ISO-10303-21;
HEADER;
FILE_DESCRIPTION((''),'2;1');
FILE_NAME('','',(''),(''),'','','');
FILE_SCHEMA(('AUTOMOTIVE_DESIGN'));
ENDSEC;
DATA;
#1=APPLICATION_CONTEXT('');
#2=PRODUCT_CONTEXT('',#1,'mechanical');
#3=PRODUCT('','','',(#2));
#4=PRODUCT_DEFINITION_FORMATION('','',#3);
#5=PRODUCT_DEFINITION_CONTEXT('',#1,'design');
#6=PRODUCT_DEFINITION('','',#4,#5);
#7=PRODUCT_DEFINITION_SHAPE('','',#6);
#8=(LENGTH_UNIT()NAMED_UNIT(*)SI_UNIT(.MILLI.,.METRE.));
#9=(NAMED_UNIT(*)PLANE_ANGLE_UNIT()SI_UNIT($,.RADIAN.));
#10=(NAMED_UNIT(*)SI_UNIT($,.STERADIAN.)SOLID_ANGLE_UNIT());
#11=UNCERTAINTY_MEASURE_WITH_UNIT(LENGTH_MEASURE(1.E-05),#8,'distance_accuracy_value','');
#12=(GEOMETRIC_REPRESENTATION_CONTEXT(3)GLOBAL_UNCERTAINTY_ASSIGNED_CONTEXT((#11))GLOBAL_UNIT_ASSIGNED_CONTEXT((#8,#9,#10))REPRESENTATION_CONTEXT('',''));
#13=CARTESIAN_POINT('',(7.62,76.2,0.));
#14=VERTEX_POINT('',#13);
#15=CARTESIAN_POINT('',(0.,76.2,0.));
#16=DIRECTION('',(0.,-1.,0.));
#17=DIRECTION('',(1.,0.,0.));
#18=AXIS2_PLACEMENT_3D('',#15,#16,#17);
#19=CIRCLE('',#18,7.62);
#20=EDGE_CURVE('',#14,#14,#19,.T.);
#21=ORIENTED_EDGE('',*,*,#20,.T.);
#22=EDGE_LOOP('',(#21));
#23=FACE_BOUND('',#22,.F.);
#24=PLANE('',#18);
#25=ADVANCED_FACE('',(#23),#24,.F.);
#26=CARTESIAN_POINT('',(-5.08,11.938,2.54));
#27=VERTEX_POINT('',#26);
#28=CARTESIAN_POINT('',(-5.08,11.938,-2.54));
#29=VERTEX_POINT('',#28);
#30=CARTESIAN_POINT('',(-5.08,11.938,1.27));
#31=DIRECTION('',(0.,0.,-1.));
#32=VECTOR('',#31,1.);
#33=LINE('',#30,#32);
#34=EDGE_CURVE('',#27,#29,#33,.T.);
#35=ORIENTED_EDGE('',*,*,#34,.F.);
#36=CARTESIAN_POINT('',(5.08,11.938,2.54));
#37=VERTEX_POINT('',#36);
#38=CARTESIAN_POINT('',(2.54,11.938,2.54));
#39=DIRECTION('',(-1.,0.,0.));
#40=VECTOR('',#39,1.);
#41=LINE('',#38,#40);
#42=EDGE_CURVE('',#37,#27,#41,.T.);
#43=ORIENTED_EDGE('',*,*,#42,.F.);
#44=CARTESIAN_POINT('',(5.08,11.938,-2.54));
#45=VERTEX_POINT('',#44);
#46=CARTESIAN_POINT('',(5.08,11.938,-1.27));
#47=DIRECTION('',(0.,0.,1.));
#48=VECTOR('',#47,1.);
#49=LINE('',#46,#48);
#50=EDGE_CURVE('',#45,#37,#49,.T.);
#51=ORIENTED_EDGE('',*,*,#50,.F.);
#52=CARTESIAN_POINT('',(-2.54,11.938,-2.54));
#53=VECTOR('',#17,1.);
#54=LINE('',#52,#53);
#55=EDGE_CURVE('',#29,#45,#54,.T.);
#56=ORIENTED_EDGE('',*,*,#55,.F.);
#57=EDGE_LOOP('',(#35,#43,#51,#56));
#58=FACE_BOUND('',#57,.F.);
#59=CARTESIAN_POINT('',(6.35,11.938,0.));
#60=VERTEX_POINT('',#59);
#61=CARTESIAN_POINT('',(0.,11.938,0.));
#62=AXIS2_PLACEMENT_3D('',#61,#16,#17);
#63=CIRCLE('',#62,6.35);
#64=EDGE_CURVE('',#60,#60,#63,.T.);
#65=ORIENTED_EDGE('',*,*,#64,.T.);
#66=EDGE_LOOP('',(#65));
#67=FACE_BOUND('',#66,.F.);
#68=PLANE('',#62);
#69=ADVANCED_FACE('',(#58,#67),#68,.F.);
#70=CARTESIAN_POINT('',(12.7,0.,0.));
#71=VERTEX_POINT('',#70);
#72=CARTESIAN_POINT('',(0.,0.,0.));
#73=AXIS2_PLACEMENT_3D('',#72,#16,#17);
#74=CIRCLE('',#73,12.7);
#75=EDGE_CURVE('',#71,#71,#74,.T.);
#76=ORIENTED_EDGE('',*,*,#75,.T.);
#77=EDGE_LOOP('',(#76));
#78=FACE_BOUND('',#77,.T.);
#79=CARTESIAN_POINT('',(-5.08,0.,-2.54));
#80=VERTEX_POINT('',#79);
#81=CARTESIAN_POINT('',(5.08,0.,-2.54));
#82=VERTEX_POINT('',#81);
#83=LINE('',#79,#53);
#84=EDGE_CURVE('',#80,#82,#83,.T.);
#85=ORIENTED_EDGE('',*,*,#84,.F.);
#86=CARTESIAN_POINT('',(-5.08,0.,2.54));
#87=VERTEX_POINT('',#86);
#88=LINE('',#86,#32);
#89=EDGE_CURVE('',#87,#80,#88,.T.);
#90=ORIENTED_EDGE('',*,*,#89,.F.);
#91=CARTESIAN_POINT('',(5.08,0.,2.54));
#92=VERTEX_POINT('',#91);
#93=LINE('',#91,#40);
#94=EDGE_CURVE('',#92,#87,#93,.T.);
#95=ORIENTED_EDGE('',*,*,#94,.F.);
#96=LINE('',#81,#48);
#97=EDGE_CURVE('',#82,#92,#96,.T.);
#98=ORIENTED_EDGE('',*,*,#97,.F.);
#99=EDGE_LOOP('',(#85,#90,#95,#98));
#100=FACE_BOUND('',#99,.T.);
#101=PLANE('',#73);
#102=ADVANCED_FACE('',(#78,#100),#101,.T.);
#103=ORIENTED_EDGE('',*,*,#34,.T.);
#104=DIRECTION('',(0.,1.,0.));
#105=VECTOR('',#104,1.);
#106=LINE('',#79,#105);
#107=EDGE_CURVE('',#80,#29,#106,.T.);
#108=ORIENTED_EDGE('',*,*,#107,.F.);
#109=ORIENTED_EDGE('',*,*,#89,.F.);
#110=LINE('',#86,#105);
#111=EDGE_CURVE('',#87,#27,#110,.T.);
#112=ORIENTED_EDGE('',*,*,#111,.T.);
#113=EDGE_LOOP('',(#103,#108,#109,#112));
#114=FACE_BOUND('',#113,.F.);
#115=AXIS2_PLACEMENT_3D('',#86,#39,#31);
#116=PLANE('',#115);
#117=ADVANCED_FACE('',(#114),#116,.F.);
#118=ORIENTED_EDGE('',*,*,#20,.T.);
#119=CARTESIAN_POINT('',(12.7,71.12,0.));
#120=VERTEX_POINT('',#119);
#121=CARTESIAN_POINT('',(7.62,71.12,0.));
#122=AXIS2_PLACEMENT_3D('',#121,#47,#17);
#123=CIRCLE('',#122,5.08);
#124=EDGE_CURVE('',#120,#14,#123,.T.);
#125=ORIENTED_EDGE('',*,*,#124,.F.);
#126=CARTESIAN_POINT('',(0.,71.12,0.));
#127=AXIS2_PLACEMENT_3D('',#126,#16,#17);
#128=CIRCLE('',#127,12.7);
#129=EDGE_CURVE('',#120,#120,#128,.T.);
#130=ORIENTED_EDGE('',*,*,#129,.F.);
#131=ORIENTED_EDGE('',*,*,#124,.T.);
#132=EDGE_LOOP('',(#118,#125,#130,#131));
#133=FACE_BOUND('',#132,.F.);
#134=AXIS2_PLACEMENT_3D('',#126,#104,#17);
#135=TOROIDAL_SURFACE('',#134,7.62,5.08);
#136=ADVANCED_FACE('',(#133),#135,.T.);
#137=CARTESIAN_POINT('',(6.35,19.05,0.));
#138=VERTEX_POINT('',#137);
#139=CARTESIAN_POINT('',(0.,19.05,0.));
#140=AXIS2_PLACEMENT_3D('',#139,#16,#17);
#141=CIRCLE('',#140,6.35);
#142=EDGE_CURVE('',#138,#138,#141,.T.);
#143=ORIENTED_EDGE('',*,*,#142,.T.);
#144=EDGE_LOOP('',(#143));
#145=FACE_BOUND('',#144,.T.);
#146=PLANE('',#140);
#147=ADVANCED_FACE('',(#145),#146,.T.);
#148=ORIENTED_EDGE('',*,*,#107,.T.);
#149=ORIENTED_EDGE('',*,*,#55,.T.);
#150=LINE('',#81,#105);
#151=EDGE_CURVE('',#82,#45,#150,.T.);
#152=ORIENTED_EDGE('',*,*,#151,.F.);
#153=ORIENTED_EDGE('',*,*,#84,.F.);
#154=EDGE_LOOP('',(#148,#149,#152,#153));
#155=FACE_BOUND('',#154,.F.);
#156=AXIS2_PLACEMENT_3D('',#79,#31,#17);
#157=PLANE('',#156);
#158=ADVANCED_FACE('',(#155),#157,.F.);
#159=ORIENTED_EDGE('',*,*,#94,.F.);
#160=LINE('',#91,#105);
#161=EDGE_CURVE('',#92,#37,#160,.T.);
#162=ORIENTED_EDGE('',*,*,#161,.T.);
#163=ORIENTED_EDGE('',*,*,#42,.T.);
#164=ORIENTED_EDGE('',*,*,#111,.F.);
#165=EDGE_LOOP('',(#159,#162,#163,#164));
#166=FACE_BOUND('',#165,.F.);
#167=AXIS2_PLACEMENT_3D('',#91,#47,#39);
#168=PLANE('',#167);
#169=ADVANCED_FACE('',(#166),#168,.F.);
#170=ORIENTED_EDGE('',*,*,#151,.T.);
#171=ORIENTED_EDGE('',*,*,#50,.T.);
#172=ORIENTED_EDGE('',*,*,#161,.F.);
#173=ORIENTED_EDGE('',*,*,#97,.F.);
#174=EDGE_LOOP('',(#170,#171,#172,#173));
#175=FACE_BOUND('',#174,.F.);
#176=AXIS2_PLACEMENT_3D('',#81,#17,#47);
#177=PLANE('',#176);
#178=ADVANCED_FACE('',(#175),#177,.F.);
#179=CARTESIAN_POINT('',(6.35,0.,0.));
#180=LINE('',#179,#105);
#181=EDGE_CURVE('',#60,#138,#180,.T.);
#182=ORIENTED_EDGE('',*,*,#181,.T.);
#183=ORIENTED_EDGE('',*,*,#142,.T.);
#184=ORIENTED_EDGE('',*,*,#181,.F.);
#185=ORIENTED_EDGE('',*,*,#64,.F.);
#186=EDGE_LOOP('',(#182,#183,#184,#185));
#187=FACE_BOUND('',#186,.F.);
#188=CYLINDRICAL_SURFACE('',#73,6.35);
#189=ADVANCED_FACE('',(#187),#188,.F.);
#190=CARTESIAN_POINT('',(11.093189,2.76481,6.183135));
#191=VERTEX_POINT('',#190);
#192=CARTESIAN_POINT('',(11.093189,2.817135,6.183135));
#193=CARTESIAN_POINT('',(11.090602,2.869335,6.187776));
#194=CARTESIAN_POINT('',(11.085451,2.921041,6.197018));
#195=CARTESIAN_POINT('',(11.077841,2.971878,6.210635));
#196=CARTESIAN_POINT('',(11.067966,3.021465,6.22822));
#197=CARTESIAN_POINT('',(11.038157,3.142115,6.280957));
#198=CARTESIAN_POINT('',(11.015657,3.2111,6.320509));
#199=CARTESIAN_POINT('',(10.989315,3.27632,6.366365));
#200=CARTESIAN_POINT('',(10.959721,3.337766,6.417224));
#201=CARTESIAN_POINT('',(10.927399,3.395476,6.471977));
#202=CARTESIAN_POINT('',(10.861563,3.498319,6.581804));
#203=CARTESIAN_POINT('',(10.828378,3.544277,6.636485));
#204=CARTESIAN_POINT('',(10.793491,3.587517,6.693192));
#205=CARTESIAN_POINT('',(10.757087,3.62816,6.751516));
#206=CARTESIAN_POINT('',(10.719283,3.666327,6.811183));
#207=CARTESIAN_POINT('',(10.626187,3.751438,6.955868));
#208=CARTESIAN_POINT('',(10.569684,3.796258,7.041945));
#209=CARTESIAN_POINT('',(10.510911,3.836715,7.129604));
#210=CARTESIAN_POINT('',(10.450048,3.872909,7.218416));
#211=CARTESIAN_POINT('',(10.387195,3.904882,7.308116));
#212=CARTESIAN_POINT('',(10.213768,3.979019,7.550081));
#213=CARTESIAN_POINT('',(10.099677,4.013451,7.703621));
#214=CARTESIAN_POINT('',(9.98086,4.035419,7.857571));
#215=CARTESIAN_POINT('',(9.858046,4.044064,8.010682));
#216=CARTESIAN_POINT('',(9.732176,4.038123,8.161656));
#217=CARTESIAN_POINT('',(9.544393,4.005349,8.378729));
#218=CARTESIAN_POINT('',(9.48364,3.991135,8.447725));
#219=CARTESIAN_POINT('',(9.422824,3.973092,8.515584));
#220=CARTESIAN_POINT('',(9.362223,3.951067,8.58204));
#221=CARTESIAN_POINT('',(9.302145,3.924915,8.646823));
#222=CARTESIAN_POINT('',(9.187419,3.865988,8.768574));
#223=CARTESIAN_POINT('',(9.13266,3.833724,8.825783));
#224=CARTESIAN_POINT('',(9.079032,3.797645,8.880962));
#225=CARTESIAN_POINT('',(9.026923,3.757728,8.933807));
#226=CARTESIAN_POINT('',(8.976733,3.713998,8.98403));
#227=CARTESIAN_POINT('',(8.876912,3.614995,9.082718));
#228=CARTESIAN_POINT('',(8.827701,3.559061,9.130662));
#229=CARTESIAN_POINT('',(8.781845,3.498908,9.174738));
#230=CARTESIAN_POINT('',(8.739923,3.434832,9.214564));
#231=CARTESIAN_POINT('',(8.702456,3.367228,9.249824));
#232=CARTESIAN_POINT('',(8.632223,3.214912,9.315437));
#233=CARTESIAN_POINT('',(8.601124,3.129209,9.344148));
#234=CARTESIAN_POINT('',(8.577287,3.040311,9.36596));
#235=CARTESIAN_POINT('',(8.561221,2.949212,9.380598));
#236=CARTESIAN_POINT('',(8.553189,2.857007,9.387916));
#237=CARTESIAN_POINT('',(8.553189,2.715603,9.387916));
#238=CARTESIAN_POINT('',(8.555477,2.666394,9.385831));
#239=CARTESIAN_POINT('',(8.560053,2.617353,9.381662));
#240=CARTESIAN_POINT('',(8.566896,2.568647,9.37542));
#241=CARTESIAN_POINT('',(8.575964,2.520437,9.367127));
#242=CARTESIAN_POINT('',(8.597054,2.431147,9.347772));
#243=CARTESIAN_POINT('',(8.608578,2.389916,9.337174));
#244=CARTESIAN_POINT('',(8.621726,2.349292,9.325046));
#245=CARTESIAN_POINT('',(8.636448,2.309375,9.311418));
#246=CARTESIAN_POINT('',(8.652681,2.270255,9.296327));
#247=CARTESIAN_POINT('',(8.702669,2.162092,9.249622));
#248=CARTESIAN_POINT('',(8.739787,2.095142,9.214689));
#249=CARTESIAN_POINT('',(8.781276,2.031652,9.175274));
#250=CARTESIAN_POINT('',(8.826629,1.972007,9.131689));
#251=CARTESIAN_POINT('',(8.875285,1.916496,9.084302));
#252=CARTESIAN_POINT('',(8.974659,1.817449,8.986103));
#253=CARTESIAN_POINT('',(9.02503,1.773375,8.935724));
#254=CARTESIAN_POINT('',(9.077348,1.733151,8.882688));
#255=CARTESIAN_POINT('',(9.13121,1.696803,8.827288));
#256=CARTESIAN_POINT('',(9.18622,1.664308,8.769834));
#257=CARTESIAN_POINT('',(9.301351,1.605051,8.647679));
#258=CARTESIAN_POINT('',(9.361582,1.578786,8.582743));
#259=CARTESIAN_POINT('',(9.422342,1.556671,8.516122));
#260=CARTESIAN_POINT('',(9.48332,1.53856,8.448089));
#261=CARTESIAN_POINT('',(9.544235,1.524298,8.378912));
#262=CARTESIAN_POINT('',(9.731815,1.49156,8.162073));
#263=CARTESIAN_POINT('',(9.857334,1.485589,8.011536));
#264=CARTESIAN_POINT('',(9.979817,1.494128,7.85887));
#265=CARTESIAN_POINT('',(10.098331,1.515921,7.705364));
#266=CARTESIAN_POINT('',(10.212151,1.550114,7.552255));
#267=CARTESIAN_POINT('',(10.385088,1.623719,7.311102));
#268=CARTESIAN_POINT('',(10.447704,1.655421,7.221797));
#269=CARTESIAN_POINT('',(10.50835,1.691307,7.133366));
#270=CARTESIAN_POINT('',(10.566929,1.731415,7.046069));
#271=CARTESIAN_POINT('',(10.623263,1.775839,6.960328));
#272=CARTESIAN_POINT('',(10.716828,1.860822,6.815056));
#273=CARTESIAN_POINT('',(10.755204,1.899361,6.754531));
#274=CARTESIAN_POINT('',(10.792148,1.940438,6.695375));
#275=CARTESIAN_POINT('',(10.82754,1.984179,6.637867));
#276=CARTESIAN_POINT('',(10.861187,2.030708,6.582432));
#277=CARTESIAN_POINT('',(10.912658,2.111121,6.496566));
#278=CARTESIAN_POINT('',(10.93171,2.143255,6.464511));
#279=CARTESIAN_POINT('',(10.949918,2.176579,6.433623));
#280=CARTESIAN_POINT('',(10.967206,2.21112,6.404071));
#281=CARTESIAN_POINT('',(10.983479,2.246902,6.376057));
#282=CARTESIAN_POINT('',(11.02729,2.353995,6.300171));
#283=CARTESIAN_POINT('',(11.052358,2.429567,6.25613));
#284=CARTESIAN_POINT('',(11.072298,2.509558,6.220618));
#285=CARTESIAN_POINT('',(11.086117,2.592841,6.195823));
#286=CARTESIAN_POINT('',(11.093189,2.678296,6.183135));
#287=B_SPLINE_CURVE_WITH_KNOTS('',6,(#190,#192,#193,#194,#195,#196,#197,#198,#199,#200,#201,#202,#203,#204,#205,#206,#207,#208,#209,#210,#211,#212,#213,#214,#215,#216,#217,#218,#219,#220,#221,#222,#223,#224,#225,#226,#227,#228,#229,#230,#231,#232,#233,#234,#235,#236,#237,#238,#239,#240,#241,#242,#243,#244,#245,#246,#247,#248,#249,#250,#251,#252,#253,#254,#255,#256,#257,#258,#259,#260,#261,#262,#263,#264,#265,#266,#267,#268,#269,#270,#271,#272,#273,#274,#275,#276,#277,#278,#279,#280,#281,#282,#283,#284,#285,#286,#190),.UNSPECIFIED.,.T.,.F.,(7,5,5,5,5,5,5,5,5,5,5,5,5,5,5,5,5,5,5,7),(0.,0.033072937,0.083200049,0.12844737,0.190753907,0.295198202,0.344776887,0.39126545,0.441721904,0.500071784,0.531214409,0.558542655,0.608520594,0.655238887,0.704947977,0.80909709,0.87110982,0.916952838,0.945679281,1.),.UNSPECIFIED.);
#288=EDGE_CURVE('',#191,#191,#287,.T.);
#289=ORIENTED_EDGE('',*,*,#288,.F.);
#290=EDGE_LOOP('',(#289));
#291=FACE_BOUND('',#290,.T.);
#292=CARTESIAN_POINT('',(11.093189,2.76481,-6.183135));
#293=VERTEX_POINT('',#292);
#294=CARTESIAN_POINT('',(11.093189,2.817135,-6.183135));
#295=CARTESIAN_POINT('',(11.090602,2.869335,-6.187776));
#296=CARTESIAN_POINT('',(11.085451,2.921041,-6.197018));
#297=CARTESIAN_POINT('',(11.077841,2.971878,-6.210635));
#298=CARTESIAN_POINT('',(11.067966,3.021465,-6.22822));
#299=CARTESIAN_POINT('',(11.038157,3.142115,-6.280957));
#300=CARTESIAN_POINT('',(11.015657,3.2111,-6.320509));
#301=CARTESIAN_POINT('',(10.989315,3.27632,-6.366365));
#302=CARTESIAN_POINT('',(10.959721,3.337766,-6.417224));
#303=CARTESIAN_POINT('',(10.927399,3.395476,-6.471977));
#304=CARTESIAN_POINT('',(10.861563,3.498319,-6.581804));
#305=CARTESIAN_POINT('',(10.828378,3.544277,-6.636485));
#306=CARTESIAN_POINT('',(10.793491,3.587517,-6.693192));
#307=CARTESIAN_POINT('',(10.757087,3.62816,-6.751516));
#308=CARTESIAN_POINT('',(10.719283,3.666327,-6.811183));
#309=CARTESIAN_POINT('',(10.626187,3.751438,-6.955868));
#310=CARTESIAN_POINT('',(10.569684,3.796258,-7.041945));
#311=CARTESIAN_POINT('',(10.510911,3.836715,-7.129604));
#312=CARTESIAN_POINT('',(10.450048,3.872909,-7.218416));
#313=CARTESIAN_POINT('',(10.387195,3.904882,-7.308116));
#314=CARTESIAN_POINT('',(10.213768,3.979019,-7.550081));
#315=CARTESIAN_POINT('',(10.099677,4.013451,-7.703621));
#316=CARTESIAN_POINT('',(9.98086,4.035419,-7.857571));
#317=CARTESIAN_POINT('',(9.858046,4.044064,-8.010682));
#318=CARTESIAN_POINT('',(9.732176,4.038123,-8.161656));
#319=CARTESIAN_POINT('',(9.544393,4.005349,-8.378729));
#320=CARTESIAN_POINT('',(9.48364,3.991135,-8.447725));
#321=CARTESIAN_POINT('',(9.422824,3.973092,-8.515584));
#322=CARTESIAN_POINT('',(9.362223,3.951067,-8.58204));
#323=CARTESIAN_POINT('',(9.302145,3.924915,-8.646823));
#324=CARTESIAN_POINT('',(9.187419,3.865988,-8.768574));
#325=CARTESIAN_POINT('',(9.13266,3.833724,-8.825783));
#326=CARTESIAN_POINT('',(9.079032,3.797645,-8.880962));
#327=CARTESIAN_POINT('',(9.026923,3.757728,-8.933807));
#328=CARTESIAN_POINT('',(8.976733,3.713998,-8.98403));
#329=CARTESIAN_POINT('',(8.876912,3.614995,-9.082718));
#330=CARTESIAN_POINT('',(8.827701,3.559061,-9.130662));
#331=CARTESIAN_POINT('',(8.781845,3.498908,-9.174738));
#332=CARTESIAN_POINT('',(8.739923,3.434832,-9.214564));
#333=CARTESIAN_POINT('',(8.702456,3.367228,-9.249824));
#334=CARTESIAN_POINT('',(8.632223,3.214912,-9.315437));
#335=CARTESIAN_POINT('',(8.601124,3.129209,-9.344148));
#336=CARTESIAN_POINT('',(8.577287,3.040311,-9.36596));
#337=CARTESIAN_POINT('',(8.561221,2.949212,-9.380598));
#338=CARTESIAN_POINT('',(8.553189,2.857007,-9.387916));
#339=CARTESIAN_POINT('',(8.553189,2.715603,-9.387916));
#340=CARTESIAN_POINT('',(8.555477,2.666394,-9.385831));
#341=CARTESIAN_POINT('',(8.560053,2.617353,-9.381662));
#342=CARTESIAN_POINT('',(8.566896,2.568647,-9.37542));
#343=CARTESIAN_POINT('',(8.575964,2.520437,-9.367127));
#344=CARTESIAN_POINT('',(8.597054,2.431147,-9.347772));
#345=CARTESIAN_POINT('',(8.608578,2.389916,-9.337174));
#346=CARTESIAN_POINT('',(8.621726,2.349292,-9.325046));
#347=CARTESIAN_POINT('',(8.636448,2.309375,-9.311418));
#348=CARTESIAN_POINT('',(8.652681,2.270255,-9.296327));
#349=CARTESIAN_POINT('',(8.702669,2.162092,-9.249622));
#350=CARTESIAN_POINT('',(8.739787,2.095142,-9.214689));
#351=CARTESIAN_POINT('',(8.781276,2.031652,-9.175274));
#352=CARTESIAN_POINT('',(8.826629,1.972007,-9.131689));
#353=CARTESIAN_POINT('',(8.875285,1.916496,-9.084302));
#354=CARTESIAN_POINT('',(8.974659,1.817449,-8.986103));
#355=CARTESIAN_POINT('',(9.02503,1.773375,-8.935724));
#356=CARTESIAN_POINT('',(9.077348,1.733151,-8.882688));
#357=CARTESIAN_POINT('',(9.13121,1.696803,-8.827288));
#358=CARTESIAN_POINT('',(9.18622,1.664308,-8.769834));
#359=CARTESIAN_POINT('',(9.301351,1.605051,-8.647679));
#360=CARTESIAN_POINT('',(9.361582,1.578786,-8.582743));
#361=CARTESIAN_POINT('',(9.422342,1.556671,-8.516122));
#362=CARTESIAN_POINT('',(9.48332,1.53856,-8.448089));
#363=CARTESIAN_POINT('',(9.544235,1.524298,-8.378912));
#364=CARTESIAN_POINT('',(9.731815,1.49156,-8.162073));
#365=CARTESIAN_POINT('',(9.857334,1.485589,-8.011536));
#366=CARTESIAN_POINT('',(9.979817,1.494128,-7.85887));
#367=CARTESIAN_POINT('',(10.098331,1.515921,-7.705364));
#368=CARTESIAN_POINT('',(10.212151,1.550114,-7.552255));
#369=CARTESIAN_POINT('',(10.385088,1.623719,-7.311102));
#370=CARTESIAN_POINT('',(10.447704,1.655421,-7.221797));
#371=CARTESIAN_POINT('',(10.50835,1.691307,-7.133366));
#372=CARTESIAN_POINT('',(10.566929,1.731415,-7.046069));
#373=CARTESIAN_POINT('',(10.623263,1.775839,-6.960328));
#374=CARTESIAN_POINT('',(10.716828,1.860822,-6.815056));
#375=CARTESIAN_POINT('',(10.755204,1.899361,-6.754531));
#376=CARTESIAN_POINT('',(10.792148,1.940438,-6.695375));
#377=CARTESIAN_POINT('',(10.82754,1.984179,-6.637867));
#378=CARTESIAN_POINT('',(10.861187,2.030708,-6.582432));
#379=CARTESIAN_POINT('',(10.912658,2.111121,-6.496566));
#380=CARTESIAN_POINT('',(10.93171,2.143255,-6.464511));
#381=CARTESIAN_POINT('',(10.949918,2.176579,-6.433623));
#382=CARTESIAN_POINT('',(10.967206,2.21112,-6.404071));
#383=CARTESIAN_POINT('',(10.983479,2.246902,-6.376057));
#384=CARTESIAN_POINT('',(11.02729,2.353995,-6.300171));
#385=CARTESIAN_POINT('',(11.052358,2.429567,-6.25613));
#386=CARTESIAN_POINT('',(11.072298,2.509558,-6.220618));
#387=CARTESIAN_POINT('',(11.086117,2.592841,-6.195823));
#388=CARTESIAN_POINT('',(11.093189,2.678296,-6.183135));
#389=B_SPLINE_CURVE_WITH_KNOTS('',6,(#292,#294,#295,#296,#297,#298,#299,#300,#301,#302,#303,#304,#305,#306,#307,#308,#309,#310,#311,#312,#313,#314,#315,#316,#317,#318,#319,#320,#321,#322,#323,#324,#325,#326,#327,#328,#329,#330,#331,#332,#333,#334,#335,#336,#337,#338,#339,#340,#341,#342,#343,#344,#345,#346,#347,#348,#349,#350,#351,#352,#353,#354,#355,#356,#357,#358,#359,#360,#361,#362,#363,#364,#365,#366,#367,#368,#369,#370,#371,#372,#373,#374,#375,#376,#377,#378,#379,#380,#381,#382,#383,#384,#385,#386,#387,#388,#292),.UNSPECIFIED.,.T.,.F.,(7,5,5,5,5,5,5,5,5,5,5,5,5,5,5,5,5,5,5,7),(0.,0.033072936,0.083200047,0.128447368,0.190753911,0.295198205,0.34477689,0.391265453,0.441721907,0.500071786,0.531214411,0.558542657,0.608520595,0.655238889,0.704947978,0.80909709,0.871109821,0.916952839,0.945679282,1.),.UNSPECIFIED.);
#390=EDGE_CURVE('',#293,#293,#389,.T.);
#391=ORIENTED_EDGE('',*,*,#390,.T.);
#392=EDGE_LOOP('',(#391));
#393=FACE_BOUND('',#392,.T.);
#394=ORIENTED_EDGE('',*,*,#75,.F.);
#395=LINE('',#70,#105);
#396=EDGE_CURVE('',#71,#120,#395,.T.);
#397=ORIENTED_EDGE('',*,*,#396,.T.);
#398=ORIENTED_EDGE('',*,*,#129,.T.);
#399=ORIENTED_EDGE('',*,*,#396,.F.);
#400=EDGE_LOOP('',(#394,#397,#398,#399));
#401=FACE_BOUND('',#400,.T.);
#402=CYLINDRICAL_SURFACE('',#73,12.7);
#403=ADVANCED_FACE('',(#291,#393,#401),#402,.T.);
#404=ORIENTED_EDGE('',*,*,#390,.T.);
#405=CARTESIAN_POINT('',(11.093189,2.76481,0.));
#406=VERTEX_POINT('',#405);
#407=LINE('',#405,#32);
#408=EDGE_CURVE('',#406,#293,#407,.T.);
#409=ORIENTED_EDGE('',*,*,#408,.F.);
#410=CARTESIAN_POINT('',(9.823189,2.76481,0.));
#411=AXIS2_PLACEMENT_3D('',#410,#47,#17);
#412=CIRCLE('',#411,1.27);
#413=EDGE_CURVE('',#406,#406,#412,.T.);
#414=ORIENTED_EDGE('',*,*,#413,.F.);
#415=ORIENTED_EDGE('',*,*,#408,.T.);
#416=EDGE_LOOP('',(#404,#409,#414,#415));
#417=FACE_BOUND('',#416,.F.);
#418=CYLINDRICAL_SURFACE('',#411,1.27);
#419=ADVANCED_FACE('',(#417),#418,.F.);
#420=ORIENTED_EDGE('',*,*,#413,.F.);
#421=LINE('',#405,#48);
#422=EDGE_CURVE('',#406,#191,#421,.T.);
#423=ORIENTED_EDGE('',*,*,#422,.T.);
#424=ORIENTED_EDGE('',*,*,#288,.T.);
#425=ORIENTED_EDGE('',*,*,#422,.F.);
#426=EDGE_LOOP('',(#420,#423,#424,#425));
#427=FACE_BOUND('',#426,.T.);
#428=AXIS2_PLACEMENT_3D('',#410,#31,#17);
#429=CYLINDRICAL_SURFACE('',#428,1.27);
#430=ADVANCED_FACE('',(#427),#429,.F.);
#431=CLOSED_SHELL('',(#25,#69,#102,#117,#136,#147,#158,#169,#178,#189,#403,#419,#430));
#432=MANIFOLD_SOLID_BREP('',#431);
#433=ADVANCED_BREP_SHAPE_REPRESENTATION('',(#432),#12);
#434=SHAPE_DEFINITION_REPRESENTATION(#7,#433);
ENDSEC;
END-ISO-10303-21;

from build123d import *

# Parameters (mm, degrees)
F0_R           = 12.7
F1_DEPTH       = 76.2
F3_R           = 6.35
F4_DEPTH       = 19.05
F5_R           = 6.35
F6_DEPTH       = 11.938
F7_DEPTH       = 19.05
F8_R           = 5.08
F9_R           = 1.27
F10_DEPTH      = 25.4
F10_DEPTH_BACK = 25.4


with BuildPart() as f1:
    # F0 (on Front) → F1 (new body)
    with BuildSketch(Plane.XZ):
        Circle(F0_R)
    extrude(amount=-F1_DEPTH)

    # F3 (on face) → F4 (cut)
    with BuildSketch(Plane.XZ):
        Circle(F3_R)
    extrude(amount=-F4_DEPTH, mode=Mode.SUBTRACT)

    # F5 (on face) → F6 (join)
    with BuildSketch(Plane.XZ):
        Circle(F5_R)
    extrude(amount=-F6_DEPTH)

    # F2 (on face) → F7 (cut)
    with BuildSketch(Plane.XZ):
        Polygon((5.08, -2.54), (5.08, 0), (5.08, 2.54), (-5.08, 2.54), (-5.08, -2.54), align=None)
    extrude(amount=-F7_DEPTH, mode=Mode.SUBTRACT)

    # F8
    f8_edges = [f1.edges().sort_by_distance(p)[0] for p in [
        (-12.7, 76.2, 0),
    ]]
    fillet(f8_edges, radius=F8_R)

    # F9 (on Top) → F10 (cut, two sides)
    with BuildSketch(Plane.XY) as f10_sk:
        with Locations((9.823189, 2.76481)):
            Circle(F9_R)
    extrude(amount=F10_DEPTH, mode=Mode.SUBTRACT)
    extrude(f10_sk.sketch, amount=-F10_DEPTH_BACK, mode=Mode.SUBTRACT)


solid = f1.part
